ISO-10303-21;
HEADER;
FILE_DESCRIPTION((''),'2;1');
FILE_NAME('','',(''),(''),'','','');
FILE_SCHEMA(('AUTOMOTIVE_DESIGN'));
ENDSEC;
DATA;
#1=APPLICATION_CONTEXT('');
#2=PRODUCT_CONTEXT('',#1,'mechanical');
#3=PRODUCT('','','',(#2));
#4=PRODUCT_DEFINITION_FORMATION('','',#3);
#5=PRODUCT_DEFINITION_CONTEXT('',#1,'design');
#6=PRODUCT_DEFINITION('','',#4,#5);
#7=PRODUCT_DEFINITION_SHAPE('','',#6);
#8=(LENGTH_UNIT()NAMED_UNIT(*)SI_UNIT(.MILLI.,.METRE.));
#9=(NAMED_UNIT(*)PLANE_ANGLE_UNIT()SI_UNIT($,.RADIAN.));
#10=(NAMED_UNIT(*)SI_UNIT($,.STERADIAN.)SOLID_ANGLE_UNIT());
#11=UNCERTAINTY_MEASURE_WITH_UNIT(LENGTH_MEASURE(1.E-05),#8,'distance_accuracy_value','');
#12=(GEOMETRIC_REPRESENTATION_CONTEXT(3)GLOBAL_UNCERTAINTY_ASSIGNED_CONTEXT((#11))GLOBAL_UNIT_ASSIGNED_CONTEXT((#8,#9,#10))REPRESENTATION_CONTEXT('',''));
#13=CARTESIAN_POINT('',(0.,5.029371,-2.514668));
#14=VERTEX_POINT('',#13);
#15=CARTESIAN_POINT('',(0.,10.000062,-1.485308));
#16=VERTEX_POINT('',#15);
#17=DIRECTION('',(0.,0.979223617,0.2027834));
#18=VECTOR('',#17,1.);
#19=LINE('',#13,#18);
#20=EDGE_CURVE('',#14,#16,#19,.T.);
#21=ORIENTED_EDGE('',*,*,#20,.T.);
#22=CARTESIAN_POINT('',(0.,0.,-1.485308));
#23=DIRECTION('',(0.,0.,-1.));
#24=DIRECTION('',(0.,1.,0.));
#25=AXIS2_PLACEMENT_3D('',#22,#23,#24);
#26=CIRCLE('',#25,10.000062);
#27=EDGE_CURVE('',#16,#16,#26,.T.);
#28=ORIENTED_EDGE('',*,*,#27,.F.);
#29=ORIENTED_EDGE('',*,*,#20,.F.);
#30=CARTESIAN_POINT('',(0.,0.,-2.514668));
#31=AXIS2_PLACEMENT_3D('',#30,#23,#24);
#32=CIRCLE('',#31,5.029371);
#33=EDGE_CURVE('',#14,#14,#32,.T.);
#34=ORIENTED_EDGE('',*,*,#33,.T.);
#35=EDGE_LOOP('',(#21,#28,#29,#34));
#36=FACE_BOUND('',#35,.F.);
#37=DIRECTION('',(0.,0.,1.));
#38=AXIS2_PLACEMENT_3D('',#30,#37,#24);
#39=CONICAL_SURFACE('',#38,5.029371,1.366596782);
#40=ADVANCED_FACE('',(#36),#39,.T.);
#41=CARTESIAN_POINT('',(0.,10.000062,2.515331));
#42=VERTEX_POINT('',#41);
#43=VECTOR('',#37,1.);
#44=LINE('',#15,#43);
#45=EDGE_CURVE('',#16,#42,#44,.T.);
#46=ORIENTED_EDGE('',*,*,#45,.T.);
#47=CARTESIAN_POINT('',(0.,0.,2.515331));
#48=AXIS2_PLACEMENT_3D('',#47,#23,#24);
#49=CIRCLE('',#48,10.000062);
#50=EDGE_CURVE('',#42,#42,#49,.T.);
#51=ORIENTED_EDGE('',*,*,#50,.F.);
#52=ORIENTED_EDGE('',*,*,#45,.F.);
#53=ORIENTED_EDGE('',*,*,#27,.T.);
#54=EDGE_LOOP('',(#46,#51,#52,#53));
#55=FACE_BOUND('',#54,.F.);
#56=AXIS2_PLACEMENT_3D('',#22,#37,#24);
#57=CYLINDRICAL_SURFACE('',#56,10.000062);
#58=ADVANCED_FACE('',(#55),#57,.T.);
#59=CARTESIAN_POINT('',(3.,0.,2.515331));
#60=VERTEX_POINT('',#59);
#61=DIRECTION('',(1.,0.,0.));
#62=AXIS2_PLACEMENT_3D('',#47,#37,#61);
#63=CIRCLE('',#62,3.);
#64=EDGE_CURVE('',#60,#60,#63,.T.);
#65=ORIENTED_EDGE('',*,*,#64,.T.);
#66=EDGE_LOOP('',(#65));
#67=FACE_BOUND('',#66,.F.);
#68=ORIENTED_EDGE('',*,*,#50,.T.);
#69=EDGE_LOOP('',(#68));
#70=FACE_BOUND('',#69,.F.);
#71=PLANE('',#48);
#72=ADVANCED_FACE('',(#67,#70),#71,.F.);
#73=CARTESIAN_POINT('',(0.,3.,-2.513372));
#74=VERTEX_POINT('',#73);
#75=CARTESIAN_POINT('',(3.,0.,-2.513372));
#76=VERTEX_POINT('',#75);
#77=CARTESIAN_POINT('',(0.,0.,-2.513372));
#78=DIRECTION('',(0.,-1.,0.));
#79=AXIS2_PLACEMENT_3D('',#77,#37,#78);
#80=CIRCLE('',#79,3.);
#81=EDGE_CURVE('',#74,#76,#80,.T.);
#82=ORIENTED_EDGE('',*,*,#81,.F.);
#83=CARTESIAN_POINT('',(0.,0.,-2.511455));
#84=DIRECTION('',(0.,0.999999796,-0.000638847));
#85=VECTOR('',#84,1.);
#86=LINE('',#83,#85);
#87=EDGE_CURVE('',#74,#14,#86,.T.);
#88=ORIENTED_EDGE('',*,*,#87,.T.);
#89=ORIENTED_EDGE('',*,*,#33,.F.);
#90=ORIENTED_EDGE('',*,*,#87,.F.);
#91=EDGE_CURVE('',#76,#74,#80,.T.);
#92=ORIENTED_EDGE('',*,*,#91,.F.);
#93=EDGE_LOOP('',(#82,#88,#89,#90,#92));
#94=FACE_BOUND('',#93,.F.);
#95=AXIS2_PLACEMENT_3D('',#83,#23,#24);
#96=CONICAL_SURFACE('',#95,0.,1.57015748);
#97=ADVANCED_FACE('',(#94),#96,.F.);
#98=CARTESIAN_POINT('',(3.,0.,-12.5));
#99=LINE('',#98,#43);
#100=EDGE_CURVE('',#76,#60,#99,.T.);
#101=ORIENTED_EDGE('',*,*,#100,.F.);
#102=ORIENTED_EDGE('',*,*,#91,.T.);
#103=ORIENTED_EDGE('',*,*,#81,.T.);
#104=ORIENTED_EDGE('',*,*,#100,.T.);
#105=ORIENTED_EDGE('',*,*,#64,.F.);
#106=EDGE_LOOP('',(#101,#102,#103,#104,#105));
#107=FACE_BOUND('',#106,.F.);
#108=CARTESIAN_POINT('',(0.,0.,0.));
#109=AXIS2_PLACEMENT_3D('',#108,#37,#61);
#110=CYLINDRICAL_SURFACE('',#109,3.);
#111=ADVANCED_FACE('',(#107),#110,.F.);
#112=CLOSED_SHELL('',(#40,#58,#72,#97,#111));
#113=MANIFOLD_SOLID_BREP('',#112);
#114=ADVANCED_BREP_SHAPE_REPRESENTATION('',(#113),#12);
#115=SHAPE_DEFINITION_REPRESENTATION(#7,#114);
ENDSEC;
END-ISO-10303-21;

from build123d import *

# Parameters (mm, degrees)
F2_R     = 3
F3_DEPTH = 12.5


with BuildPart() as f1:
    # F0 (on Right) → F1 (revolve)
    with BuildSketch(Plane.YZ):
        Polygon((5.029371, -2.514668), (10.000062, -1.485308), (10.000062, 2.515331), (0, 2.515331), (0, -2.511455), align=None)
    revolve(axis=Axis((0, 0, 0.001938), (0, 0, -1)))

    # F2 (on Top) → F3 (cut, symmetric)
    with BuildSketch(Plane.XY):
        Circle(F2_R)
    extrude(amount=F3_DEPTH, both=True, mode=Mode.SUBTRACT)


solid = f1.part
